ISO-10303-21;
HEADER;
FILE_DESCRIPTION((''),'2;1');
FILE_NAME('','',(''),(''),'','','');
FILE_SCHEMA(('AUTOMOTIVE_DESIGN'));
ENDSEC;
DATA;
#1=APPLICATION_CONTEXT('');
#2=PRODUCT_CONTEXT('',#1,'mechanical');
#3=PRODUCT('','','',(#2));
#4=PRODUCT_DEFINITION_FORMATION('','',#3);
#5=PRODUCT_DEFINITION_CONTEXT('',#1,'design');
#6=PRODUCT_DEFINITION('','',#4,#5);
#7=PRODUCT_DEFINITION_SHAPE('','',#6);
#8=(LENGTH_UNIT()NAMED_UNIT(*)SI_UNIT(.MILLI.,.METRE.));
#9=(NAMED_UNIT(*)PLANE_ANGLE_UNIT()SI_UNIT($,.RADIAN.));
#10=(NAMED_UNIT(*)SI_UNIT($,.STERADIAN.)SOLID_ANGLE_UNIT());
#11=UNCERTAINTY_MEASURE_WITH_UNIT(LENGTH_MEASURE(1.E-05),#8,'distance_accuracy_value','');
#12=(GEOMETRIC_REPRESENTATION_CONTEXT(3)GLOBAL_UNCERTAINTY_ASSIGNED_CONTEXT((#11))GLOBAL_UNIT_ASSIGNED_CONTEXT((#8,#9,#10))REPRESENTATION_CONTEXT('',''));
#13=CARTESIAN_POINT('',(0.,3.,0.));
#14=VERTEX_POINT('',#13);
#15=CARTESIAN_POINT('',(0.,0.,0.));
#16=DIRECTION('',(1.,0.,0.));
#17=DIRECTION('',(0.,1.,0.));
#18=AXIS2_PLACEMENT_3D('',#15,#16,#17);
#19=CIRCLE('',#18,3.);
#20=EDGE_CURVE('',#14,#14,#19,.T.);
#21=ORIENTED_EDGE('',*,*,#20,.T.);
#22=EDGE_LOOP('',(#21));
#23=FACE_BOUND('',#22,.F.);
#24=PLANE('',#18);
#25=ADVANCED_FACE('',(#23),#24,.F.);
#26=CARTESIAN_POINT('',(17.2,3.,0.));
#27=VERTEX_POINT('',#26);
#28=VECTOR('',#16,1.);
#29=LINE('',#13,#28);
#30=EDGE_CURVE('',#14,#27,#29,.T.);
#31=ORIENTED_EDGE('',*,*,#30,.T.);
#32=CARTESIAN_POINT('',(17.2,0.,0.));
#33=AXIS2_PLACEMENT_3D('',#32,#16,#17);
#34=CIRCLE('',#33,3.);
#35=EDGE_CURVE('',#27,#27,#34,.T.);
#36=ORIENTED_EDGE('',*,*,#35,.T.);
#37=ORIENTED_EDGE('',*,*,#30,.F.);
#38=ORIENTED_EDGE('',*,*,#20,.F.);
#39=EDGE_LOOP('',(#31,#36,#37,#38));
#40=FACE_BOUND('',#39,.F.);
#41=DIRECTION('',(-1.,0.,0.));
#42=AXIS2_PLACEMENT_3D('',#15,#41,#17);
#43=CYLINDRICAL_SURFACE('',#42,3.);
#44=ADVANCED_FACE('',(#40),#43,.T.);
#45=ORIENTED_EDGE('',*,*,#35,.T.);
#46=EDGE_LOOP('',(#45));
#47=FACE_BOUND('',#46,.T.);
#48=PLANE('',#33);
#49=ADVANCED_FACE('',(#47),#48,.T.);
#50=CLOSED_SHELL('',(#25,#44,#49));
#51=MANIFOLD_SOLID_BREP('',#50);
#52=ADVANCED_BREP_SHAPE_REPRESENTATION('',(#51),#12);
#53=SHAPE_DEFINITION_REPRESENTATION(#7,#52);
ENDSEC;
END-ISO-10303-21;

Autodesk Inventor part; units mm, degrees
ref_plane "YZ Plane" through (0, 0, 0) normal (1, 0, 0) x (0, 1, 0)
ref_plane "XZ Plane" through (0, 0, 0) normal (0, 1, 0) x (-1, 0, 0)
ref_plane "XY Plane" through (0, 0, 0) normal (0, 0, 1) x (1, 0, 0)
sketch "Sketch1" plane through (0, 0, 0) normal (1, 0, 0) x (0, 1, 0)
  circle A0 centre (0, 0) radius 3
  dimension "d0" = 6
extrude "Extrusion1" add sketch "Sketch1" along normal blind 17.2
properties part number "Part4_PASADOR17.2" material "Iron, Gray"
